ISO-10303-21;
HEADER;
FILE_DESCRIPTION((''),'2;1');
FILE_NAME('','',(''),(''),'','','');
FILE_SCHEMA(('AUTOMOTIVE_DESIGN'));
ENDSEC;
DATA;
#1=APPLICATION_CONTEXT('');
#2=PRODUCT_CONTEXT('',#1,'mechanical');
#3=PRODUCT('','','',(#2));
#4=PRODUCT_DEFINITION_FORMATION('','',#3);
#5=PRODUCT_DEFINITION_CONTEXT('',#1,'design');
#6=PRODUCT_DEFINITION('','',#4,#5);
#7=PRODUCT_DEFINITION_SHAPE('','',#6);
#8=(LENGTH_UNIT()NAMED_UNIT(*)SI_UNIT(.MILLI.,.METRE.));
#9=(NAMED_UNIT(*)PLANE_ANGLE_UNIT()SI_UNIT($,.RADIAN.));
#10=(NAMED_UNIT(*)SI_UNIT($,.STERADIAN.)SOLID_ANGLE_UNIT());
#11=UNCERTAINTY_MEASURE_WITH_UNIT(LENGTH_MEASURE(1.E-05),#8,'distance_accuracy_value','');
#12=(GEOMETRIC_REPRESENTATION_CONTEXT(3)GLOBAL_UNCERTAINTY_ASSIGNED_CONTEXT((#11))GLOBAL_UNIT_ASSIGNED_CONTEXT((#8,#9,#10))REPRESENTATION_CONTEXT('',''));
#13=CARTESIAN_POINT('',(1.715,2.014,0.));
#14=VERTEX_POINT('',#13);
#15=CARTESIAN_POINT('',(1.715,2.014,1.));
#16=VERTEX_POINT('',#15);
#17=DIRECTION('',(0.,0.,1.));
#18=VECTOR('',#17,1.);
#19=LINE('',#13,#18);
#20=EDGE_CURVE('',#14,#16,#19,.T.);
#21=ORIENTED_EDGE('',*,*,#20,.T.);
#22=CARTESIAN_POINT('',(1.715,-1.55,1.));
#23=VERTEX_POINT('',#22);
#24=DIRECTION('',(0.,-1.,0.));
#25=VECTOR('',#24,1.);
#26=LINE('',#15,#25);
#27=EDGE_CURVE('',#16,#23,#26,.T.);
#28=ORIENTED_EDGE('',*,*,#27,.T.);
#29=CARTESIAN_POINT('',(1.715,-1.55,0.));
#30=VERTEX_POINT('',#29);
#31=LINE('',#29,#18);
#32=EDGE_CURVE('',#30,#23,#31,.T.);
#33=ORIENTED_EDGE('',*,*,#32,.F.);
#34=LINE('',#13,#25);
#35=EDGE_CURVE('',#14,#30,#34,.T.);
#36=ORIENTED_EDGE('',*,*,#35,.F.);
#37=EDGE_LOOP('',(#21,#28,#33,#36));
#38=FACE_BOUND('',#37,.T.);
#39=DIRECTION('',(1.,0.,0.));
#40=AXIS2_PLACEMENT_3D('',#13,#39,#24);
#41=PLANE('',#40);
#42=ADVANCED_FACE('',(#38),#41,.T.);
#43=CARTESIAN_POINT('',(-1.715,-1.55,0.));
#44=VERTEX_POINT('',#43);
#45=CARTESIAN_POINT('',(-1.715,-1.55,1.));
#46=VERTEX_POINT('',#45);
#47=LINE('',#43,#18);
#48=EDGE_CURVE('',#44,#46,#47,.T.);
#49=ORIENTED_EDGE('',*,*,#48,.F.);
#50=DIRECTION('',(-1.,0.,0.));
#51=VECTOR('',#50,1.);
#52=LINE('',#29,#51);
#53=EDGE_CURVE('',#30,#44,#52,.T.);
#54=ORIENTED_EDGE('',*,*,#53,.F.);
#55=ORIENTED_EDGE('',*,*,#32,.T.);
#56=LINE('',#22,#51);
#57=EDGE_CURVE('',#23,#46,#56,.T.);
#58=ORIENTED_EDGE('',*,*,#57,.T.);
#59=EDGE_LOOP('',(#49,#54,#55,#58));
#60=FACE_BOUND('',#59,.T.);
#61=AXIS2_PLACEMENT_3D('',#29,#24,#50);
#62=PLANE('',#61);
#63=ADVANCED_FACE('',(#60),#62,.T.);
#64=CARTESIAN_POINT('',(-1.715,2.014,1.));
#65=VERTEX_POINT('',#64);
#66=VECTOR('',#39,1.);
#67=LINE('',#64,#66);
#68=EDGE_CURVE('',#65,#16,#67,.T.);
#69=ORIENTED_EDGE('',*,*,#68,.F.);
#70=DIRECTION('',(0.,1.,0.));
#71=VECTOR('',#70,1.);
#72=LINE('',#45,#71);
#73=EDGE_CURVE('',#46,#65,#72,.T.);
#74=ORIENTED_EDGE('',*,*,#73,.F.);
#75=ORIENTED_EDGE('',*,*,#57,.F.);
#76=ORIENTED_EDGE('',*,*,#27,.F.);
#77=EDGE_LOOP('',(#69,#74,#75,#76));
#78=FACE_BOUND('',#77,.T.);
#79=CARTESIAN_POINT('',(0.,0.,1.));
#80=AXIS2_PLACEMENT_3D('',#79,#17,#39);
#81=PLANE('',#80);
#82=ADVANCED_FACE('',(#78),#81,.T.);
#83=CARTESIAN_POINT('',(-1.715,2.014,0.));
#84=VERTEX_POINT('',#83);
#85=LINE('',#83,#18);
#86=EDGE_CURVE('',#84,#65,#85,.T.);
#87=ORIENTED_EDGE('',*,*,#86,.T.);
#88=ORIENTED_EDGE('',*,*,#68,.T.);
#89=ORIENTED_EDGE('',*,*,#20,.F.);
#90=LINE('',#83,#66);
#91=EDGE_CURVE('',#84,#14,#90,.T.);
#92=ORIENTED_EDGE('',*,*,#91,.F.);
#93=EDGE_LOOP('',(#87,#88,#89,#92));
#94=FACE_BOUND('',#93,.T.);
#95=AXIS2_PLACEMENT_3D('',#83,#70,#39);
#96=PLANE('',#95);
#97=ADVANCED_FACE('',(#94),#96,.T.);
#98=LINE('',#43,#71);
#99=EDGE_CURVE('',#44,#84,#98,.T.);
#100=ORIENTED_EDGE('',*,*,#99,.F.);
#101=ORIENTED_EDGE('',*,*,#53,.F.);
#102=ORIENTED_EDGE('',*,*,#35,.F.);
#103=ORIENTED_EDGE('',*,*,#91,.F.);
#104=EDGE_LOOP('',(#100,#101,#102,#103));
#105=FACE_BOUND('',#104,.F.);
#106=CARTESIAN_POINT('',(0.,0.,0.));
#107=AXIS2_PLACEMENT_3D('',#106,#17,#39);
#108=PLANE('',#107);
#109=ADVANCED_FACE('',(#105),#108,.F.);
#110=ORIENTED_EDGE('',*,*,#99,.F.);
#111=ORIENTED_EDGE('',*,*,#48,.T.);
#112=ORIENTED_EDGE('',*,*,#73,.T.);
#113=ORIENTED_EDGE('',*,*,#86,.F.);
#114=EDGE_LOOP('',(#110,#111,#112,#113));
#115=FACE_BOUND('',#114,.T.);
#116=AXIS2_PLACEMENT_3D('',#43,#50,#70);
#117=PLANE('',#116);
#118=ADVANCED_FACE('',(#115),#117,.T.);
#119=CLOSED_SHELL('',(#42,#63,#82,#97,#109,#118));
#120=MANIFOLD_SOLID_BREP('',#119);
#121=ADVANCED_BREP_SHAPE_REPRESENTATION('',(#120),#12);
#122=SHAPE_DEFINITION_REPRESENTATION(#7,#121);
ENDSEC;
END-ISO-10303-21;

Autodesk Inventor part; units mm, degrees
ref_plane "YZ Plane" through (0, 0, 0) normal (1, 0, 0) x (0, 1, 0)
ref_plane "XZ Plane" through (0, 0, 0) normal (0, 1, 0) x (-1, 0, 0)
ref_plane "XY Plane" through (0, 0, 0) normal (0, 0, 1) x (1, 0, 0)
sketch "SOT23, LM4040_152" plane through (0, 0, 0) normal (0, 0, 1) x (1, 0, 0)
  line L0 (-1.715, -1.55) -> (-1.715, 2.014)
  line L1 (-1.715, 2.014) -> (1.715, 2.014)
  line L2 (1.715, 2.014) -> (1.715, -1.55)
  line L3 (1.715, -1.55) -> (-1.715, -1.55)
extrude "Extrusion1" add sketch "SOT23, LM4040_152" along normal blind 1
properties part number "LM4040"
